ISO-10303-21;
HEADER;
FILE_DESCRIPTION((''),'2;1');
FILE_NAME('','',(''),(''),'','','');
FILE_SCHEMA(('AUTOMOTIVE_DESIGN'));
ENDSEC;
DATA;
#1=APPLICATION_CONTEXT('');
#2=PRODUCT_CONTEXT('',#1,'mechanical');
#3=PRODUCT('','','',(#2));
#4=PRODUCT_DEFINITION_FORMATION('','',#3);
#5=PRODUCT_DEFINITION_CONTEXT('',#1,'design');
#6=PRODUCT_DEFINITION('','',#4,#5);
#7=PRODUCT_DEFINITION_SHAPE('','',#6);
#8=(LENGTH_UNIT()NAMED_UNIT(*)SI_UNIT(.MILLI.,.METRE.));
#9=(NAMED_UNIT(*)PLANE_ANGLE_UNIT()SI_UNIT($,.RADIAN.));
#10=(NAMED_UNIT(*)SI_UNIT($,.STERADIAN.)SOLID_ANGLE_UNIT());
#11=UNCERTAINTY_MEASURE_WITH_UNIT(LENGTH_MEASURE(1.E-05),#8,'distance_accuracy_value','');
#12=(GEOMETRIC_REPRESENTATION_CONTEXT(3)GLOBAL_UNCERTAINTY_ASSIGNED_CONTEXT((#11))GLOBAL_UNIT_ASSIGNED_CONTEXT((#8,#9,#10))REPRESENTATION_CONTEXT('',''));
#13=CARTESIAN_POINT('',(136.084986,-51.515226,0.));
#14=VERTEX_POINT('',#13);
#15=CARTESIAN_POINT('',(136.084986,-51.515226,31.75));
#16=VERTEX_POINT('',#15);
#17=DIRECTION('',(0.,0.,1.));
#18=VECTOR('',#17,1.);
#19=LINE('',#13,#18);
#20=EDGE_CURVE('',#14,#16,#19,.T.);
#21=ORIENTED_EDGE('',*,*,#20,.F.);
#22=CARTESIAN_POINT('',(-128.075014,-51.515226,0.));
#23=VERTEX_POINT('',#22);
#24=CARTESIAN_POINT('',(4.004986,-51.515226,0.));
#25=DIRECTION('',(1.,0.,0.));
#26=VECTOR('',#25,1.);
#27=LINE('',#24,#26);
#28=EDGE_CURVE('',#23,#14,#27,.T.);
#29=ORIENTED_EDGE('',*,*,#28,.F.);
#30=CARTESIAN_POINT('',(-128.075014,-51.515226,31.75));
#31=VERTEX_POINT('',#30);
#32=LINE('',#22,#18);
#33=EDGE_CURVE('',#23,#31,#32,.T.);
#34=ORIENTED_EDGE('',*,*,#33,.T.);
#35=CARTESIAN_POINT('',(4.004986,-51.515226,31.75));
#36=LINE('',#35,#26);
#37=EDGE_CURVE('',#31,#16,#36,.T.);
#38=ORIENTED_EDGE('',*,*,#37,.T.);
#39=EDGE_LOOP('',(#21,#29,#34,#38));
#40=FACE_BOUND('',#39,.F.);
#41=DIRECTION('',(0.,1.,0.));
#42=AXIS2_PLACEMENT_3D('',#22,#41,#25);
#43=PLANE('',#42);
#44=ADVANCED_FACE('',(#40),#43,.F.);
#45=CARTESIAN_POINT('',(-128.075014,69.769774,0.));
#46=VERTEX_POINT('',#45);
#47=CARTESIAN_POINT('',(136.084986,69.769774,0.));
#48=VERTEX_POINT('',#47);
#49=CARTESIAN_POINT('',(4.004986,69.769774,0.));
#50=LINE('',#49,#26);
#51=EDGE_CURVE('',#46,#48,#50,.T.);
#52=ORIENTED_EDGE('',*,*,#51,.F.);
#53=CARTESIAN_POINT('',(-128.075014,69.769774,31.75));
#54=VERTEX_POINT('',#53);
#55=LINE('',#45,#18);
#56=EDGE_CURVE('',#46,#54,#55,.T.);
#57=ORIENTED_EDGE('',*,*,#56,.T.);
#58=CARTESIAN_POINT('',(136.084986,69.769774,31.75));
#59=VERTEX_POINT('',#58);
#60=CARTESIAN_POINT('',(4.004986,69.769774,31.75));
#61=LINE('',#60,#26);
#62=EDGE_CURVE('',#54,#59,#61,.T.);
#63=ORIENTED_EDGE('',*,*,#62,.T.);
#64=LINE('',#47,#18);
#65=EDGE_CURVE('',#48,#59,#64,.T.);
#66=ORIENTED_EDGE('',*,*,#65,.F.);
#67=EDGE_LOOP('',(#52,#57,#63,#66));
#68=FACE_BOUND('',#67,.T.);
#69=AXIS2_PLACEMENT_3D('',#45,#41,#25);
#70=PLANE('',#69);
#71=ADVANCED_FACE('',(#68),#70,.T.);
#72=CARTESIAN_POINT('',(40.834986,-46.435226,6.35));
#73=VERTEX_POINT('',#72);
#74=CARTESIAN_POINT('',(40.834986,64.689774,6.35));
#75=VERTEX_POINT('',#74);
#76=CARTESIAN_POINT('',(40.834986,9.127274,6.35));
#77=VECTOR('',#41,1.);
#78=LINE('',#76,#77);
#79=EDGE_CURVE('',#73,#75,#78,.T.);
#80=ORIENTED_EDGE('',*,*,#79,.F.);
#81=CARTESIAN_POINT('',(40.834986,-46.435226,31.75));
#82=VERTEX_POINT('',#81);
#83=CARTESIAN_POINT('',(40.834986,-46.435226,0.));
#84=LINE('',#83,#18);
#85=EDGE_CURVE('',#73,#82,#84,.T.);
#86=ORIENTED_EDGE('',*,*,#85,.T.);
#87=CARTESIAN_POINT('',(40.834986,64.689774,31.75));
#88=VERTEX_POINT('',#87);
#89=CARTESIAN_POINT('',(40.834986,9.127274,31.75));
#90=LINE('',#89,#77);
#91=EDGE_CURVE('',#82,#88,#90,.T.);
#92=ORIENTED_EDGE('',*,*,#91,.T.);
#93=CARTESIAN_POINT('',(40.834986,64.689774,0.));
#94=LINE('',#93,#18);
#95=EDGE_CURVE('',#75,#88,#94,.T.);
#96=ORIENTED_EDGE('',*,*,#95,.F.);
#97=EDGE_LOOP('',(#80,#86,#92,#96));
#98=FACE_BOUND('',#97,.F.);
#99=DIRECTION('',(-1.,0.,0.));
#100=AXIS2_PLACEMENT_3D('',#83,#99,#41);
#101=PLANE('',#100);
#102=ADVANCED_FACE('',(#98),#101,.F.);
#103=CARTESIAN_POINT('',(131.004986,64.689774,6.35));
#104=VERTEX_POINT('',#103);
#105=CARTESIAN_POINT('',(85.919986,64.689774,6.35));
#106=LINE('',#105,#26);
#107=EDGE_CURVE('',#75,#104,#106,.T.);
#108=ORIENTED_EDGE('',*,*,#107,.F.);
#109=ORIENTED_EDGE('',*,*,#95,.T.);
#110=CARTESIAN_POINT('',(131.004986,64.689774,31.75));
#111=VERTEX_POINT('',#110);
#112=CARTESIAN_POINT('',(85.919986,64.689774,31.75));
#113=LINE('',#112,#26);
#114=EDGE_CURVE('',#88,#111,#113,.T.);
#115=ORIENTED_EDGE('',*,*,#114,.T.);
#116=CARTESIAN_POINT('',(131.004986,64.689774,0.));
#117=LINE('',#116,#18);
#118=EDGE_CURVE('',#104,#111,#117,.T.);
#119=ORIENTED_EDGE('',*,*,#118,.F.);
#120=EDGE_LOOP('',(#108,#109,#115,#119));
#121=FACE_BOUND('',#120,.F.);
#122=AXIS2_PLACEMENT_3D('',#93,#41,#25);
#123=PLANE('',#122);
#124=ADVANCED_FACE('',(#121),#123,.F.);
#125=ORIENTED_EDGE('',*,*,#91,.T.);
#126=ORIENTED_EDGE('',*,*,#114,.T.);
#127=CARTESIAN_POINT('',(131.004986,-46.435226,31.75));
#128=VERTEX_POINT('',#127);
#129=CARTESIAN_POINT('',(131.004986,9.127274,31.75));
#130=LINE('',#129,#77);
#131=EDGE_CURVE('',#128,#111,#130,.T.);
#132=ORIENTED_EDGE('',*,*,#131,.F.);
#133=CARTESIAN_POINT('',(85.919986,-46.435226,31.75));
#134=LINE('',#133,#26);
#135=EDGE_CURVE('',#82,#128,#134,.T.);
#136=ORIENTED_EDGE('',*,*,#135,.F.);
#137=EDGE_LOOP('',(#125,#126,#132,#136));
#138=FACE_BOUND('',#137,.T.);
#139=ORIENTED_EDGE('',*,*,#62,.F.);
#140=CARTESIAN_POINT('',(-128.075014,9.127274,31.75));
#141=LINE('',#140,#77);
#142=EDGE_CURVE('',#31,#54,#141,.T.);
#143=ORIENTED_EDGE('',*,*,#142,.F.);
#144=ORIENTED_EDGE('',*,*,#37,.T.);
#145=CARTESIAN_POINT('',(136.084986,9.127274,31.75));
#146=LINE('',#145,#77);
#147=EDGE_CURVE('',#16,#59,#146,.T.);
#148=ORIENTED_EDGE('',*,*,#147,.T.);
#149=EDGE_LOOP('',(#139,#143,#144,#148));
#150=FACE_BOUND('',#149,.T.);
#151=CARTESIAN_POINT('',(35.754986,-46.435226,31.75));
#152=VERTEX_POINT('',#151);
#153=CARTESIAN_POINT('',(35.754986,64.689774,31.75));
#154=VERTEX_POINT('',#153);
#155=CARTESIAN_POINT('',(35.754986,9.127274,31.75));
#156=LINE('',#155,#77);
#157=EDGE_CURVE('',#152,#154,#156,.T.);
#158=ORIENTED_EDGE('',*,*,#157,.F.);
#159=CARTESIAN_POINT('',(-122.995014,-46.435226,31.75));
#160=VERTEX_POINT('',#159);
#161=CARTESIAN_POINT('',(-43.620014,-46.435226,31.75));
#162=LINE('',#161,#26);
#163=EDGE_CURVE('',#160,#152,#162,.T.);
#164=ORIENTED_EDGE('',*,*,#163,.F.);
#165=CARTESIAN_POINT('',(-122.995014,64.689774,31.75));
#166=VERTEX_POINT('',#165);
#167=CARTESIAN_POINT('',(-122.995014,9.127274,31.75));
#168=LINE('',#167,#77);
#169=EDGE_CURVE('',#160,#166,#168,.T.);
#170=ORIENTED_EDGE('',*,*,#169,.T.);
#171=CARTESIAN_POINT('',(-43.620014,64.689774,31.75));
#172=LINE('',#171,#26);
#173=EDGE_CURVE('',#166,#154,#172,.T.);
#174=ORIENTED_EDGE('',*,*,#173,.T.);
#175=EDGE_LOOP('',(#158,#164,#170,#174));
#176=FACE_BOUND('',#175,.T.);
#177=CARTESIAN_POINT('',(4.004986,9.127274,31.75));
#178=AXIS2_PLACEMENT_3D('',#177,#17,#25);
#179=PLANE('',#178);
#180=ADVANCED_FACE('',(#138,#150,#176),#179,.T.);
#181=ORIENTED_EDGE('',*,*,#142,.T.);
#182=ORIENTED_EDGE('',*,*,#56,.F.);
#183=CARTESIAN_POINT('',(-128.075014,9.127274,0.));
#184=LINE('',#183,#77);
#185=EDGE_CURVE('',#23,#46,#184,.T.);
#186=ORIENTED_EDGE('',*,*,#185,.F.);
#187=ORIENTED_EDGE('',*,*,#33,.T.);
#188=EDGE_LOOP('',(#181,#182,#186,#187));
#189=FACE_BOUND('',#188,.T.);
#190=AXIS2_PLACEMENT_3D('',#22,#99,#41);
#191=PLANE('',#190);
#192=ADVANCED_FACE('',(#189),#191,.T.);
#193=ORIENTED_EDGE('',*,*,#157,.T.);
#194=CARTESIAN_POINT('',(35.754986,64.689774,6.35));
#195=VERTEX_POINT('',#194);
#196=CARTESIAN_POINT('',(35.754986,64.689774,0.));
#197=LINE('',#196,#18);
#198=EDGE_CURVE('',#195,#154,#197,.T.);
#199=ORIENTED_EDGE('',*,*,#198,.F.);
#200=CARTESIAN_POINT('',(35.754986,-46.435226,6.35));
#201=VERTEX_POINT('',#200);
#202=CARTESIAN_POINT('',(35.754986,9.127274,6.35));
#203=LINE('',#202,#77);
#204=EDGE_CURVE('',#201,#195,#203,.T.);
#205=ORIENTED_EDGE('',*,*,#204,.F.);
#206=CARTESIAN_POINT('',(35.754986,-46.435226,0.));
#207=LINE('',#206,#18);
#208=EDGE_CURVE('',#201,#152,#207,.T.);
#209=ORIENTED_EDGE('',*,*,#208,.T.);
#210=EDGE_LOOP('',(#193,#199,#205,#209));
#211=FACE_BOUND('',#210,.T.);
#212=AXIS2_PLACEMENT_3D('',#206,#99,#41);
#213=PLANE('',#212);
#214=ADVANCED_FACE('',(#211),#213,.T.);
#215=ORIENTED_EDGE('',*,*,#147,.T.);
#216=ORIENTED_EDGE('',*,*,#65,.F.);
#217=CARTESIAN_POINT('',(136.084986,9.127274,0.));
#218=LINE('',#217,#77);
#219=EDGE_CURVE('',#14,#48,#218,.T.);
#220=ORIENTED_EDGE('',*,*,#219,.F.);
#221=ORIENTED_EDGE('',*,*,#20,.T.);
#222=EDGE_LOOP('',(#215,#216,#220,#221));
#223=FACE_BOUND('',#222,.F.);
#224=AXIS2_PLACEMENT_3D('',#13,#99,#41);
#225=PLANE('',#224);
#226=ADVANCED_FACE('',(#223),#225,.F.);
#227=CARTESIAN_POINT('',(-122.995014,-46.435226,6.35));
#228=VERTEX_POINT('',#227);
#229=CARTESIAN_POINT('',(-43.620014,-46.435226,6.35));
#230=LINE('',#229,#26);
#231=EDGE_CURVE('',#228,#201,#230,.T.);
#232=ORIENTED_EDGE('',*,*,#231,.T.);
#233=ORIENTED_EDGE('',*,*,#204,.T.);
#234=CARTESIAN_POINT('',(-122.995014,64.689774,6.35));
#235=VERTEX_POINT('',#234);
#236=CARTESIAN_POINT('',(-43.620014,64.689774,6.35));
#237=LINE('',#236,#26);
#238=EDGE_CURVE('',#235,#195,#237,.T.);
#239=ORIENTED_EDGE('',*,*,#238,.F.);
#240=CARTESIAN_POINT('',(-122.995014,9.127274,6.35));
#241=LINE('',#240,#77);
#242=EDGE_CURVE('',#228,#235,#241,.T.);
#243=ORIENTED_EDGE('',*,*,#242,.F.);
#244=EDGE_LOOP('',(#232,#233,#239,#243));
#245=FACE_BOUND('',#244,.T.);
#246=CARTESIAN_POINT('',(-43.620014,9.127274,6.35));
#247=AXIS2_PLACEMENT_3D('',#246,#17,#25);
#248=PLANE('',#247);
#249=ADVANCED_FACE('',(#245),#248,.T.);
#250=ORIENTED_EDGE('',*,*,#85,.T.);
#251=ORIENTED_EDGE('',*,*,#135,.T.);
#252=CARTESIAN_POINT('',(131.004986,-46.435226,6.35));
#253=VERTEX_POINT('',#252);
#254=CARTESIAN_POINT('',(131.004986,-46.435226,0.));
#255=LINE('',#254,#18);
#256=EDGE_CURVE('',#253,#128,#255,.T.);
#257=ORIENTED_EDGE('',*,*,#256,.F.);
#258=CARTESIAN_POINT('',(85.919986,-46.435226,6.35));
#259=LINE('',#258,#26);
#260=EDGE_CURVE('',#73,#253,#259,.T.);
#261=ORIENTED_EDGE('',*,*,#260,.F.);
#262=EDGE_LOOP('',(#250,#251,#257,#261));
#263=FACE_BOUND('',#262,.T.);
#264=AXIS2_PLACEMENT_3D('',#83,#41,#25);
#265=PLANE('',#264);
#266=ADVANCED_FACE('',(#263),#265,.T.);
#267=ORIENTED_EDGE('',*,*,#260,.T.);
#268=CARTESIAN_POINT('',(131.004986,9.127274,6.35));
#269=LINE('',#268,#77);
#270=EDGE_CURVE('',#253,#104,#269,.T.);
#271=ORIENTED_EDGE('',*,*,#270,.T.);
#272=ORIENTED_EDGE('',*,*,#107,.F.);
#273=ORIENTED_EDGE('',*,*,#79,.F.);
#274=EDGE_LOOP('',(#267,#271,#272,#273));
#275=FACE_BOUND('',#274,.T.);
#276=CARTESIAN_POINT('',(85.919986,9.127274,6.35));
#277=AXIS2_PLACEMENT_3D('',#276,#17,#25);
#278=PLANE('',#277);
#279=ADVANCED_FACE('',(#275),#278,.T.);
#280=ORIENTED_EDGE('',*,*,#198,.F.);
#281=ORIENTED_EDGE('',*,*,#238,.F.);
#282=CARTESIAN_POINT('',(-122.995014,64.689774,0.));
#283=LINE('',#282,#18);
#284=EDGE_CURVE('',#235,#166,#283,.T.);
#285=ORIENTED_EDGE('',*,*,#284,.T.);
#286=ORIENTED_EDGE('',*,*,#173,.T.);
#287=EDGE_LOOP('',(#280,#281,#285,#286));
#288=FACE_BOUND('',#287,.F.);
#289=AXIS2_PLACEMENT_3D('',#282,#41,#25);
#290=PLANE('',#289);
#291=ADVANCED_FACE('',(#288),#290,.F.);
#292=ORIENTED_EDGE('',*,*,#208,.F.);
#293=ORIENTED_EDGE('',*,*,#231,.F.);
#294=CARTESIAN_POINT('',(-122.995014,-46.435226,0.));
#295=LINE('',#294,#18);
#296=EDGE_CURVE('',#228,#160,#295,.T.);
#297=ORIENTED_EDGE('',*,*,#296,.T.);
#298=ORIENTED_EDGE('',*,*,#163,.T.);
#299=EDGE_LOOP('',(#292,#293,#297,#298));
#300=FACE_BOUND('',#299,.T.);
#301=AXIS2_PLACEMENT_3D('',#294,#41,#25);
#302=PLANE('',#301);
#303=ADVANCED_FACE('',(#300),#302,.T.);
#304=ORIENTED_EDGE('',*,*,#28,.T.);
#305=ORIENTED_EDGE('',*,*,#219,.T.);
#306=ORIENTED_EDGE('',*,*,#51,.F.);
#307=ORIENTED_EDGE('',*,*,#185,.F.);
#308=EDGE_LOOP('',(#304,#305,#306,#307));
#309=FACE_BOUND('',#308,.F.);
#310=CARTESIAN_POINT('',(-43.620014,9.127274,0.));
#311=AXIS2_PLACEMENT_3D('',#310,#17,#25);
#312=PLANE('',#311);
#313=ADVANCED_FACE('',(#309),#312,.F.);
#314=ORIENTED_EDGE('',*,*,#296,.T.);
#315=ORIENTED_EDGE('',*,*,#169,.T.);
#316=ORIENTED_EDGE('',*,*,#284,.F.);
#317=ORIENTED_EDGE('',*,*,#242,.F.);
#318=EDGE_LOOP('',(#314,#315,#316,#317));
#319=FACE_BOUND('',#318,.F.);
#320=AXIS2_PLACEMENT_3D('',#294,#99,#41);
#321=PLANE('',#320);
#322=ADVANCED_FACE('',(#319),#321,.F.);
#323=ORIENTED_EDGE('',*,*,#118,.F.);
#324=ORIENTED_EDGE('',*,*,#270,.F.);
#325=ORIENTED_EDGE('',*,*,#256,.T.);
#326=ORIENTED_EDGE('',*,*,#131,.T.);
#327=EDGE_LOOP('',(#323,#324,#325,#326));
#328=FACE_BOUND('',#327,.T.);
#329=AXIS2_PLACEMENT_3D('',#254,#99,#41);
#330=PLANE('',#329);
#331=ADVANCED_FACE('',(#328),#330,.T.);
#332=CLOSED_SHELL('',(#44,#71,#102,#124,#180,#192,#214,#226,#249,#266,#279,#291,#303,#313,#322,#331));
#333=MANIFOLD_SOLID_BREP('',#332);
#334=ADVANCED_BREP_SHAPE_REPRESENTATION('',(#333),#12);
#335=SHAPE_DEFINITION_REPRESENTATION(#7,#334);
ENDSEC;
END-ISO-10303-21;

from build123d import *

# Parameters (mm, degrees)
F0_W     = 264.16
F0_H     = 121.285
F0_W_2   = 158.75
F0_H_2   = 111.125
F0_W_3   = 90.17
F1_DEPTH = 31.75
F2_DEPTH = 6.35


with BuildPart() as f1:
    # F0 (on Top) → F1 (new body)
    with BuildSketch(Plane.XY):
        with Locations((4.004986, 9.127274)):
            Rectangle(F0_W, F0_H)
        with Locations((-43.620014, 9.127274)):
            Rectangle(F0_W_2, F0_H_2, mode=Mode.SUBTRACT)
        with Locations((85.919986, 9.127274)):
            Rectangle(F0_W_3, F0_H_2, mode=Mode.SUBTRACT)
    extrude(amount=F1_DEPTH)

    # F0 (on Top) → F2 (join)
    with BuildSketch(Plane.XY):
        with Locations((-43.620014, 9.127274)):
            Rectangle(F0_W_2, F0_H_2)
        with Locations((85.919986, 9.127274)):
            Rectangle(F0_W_3, F0_H_2)
    extrude(amount=F2_DEPTH)


solid = f1.part
